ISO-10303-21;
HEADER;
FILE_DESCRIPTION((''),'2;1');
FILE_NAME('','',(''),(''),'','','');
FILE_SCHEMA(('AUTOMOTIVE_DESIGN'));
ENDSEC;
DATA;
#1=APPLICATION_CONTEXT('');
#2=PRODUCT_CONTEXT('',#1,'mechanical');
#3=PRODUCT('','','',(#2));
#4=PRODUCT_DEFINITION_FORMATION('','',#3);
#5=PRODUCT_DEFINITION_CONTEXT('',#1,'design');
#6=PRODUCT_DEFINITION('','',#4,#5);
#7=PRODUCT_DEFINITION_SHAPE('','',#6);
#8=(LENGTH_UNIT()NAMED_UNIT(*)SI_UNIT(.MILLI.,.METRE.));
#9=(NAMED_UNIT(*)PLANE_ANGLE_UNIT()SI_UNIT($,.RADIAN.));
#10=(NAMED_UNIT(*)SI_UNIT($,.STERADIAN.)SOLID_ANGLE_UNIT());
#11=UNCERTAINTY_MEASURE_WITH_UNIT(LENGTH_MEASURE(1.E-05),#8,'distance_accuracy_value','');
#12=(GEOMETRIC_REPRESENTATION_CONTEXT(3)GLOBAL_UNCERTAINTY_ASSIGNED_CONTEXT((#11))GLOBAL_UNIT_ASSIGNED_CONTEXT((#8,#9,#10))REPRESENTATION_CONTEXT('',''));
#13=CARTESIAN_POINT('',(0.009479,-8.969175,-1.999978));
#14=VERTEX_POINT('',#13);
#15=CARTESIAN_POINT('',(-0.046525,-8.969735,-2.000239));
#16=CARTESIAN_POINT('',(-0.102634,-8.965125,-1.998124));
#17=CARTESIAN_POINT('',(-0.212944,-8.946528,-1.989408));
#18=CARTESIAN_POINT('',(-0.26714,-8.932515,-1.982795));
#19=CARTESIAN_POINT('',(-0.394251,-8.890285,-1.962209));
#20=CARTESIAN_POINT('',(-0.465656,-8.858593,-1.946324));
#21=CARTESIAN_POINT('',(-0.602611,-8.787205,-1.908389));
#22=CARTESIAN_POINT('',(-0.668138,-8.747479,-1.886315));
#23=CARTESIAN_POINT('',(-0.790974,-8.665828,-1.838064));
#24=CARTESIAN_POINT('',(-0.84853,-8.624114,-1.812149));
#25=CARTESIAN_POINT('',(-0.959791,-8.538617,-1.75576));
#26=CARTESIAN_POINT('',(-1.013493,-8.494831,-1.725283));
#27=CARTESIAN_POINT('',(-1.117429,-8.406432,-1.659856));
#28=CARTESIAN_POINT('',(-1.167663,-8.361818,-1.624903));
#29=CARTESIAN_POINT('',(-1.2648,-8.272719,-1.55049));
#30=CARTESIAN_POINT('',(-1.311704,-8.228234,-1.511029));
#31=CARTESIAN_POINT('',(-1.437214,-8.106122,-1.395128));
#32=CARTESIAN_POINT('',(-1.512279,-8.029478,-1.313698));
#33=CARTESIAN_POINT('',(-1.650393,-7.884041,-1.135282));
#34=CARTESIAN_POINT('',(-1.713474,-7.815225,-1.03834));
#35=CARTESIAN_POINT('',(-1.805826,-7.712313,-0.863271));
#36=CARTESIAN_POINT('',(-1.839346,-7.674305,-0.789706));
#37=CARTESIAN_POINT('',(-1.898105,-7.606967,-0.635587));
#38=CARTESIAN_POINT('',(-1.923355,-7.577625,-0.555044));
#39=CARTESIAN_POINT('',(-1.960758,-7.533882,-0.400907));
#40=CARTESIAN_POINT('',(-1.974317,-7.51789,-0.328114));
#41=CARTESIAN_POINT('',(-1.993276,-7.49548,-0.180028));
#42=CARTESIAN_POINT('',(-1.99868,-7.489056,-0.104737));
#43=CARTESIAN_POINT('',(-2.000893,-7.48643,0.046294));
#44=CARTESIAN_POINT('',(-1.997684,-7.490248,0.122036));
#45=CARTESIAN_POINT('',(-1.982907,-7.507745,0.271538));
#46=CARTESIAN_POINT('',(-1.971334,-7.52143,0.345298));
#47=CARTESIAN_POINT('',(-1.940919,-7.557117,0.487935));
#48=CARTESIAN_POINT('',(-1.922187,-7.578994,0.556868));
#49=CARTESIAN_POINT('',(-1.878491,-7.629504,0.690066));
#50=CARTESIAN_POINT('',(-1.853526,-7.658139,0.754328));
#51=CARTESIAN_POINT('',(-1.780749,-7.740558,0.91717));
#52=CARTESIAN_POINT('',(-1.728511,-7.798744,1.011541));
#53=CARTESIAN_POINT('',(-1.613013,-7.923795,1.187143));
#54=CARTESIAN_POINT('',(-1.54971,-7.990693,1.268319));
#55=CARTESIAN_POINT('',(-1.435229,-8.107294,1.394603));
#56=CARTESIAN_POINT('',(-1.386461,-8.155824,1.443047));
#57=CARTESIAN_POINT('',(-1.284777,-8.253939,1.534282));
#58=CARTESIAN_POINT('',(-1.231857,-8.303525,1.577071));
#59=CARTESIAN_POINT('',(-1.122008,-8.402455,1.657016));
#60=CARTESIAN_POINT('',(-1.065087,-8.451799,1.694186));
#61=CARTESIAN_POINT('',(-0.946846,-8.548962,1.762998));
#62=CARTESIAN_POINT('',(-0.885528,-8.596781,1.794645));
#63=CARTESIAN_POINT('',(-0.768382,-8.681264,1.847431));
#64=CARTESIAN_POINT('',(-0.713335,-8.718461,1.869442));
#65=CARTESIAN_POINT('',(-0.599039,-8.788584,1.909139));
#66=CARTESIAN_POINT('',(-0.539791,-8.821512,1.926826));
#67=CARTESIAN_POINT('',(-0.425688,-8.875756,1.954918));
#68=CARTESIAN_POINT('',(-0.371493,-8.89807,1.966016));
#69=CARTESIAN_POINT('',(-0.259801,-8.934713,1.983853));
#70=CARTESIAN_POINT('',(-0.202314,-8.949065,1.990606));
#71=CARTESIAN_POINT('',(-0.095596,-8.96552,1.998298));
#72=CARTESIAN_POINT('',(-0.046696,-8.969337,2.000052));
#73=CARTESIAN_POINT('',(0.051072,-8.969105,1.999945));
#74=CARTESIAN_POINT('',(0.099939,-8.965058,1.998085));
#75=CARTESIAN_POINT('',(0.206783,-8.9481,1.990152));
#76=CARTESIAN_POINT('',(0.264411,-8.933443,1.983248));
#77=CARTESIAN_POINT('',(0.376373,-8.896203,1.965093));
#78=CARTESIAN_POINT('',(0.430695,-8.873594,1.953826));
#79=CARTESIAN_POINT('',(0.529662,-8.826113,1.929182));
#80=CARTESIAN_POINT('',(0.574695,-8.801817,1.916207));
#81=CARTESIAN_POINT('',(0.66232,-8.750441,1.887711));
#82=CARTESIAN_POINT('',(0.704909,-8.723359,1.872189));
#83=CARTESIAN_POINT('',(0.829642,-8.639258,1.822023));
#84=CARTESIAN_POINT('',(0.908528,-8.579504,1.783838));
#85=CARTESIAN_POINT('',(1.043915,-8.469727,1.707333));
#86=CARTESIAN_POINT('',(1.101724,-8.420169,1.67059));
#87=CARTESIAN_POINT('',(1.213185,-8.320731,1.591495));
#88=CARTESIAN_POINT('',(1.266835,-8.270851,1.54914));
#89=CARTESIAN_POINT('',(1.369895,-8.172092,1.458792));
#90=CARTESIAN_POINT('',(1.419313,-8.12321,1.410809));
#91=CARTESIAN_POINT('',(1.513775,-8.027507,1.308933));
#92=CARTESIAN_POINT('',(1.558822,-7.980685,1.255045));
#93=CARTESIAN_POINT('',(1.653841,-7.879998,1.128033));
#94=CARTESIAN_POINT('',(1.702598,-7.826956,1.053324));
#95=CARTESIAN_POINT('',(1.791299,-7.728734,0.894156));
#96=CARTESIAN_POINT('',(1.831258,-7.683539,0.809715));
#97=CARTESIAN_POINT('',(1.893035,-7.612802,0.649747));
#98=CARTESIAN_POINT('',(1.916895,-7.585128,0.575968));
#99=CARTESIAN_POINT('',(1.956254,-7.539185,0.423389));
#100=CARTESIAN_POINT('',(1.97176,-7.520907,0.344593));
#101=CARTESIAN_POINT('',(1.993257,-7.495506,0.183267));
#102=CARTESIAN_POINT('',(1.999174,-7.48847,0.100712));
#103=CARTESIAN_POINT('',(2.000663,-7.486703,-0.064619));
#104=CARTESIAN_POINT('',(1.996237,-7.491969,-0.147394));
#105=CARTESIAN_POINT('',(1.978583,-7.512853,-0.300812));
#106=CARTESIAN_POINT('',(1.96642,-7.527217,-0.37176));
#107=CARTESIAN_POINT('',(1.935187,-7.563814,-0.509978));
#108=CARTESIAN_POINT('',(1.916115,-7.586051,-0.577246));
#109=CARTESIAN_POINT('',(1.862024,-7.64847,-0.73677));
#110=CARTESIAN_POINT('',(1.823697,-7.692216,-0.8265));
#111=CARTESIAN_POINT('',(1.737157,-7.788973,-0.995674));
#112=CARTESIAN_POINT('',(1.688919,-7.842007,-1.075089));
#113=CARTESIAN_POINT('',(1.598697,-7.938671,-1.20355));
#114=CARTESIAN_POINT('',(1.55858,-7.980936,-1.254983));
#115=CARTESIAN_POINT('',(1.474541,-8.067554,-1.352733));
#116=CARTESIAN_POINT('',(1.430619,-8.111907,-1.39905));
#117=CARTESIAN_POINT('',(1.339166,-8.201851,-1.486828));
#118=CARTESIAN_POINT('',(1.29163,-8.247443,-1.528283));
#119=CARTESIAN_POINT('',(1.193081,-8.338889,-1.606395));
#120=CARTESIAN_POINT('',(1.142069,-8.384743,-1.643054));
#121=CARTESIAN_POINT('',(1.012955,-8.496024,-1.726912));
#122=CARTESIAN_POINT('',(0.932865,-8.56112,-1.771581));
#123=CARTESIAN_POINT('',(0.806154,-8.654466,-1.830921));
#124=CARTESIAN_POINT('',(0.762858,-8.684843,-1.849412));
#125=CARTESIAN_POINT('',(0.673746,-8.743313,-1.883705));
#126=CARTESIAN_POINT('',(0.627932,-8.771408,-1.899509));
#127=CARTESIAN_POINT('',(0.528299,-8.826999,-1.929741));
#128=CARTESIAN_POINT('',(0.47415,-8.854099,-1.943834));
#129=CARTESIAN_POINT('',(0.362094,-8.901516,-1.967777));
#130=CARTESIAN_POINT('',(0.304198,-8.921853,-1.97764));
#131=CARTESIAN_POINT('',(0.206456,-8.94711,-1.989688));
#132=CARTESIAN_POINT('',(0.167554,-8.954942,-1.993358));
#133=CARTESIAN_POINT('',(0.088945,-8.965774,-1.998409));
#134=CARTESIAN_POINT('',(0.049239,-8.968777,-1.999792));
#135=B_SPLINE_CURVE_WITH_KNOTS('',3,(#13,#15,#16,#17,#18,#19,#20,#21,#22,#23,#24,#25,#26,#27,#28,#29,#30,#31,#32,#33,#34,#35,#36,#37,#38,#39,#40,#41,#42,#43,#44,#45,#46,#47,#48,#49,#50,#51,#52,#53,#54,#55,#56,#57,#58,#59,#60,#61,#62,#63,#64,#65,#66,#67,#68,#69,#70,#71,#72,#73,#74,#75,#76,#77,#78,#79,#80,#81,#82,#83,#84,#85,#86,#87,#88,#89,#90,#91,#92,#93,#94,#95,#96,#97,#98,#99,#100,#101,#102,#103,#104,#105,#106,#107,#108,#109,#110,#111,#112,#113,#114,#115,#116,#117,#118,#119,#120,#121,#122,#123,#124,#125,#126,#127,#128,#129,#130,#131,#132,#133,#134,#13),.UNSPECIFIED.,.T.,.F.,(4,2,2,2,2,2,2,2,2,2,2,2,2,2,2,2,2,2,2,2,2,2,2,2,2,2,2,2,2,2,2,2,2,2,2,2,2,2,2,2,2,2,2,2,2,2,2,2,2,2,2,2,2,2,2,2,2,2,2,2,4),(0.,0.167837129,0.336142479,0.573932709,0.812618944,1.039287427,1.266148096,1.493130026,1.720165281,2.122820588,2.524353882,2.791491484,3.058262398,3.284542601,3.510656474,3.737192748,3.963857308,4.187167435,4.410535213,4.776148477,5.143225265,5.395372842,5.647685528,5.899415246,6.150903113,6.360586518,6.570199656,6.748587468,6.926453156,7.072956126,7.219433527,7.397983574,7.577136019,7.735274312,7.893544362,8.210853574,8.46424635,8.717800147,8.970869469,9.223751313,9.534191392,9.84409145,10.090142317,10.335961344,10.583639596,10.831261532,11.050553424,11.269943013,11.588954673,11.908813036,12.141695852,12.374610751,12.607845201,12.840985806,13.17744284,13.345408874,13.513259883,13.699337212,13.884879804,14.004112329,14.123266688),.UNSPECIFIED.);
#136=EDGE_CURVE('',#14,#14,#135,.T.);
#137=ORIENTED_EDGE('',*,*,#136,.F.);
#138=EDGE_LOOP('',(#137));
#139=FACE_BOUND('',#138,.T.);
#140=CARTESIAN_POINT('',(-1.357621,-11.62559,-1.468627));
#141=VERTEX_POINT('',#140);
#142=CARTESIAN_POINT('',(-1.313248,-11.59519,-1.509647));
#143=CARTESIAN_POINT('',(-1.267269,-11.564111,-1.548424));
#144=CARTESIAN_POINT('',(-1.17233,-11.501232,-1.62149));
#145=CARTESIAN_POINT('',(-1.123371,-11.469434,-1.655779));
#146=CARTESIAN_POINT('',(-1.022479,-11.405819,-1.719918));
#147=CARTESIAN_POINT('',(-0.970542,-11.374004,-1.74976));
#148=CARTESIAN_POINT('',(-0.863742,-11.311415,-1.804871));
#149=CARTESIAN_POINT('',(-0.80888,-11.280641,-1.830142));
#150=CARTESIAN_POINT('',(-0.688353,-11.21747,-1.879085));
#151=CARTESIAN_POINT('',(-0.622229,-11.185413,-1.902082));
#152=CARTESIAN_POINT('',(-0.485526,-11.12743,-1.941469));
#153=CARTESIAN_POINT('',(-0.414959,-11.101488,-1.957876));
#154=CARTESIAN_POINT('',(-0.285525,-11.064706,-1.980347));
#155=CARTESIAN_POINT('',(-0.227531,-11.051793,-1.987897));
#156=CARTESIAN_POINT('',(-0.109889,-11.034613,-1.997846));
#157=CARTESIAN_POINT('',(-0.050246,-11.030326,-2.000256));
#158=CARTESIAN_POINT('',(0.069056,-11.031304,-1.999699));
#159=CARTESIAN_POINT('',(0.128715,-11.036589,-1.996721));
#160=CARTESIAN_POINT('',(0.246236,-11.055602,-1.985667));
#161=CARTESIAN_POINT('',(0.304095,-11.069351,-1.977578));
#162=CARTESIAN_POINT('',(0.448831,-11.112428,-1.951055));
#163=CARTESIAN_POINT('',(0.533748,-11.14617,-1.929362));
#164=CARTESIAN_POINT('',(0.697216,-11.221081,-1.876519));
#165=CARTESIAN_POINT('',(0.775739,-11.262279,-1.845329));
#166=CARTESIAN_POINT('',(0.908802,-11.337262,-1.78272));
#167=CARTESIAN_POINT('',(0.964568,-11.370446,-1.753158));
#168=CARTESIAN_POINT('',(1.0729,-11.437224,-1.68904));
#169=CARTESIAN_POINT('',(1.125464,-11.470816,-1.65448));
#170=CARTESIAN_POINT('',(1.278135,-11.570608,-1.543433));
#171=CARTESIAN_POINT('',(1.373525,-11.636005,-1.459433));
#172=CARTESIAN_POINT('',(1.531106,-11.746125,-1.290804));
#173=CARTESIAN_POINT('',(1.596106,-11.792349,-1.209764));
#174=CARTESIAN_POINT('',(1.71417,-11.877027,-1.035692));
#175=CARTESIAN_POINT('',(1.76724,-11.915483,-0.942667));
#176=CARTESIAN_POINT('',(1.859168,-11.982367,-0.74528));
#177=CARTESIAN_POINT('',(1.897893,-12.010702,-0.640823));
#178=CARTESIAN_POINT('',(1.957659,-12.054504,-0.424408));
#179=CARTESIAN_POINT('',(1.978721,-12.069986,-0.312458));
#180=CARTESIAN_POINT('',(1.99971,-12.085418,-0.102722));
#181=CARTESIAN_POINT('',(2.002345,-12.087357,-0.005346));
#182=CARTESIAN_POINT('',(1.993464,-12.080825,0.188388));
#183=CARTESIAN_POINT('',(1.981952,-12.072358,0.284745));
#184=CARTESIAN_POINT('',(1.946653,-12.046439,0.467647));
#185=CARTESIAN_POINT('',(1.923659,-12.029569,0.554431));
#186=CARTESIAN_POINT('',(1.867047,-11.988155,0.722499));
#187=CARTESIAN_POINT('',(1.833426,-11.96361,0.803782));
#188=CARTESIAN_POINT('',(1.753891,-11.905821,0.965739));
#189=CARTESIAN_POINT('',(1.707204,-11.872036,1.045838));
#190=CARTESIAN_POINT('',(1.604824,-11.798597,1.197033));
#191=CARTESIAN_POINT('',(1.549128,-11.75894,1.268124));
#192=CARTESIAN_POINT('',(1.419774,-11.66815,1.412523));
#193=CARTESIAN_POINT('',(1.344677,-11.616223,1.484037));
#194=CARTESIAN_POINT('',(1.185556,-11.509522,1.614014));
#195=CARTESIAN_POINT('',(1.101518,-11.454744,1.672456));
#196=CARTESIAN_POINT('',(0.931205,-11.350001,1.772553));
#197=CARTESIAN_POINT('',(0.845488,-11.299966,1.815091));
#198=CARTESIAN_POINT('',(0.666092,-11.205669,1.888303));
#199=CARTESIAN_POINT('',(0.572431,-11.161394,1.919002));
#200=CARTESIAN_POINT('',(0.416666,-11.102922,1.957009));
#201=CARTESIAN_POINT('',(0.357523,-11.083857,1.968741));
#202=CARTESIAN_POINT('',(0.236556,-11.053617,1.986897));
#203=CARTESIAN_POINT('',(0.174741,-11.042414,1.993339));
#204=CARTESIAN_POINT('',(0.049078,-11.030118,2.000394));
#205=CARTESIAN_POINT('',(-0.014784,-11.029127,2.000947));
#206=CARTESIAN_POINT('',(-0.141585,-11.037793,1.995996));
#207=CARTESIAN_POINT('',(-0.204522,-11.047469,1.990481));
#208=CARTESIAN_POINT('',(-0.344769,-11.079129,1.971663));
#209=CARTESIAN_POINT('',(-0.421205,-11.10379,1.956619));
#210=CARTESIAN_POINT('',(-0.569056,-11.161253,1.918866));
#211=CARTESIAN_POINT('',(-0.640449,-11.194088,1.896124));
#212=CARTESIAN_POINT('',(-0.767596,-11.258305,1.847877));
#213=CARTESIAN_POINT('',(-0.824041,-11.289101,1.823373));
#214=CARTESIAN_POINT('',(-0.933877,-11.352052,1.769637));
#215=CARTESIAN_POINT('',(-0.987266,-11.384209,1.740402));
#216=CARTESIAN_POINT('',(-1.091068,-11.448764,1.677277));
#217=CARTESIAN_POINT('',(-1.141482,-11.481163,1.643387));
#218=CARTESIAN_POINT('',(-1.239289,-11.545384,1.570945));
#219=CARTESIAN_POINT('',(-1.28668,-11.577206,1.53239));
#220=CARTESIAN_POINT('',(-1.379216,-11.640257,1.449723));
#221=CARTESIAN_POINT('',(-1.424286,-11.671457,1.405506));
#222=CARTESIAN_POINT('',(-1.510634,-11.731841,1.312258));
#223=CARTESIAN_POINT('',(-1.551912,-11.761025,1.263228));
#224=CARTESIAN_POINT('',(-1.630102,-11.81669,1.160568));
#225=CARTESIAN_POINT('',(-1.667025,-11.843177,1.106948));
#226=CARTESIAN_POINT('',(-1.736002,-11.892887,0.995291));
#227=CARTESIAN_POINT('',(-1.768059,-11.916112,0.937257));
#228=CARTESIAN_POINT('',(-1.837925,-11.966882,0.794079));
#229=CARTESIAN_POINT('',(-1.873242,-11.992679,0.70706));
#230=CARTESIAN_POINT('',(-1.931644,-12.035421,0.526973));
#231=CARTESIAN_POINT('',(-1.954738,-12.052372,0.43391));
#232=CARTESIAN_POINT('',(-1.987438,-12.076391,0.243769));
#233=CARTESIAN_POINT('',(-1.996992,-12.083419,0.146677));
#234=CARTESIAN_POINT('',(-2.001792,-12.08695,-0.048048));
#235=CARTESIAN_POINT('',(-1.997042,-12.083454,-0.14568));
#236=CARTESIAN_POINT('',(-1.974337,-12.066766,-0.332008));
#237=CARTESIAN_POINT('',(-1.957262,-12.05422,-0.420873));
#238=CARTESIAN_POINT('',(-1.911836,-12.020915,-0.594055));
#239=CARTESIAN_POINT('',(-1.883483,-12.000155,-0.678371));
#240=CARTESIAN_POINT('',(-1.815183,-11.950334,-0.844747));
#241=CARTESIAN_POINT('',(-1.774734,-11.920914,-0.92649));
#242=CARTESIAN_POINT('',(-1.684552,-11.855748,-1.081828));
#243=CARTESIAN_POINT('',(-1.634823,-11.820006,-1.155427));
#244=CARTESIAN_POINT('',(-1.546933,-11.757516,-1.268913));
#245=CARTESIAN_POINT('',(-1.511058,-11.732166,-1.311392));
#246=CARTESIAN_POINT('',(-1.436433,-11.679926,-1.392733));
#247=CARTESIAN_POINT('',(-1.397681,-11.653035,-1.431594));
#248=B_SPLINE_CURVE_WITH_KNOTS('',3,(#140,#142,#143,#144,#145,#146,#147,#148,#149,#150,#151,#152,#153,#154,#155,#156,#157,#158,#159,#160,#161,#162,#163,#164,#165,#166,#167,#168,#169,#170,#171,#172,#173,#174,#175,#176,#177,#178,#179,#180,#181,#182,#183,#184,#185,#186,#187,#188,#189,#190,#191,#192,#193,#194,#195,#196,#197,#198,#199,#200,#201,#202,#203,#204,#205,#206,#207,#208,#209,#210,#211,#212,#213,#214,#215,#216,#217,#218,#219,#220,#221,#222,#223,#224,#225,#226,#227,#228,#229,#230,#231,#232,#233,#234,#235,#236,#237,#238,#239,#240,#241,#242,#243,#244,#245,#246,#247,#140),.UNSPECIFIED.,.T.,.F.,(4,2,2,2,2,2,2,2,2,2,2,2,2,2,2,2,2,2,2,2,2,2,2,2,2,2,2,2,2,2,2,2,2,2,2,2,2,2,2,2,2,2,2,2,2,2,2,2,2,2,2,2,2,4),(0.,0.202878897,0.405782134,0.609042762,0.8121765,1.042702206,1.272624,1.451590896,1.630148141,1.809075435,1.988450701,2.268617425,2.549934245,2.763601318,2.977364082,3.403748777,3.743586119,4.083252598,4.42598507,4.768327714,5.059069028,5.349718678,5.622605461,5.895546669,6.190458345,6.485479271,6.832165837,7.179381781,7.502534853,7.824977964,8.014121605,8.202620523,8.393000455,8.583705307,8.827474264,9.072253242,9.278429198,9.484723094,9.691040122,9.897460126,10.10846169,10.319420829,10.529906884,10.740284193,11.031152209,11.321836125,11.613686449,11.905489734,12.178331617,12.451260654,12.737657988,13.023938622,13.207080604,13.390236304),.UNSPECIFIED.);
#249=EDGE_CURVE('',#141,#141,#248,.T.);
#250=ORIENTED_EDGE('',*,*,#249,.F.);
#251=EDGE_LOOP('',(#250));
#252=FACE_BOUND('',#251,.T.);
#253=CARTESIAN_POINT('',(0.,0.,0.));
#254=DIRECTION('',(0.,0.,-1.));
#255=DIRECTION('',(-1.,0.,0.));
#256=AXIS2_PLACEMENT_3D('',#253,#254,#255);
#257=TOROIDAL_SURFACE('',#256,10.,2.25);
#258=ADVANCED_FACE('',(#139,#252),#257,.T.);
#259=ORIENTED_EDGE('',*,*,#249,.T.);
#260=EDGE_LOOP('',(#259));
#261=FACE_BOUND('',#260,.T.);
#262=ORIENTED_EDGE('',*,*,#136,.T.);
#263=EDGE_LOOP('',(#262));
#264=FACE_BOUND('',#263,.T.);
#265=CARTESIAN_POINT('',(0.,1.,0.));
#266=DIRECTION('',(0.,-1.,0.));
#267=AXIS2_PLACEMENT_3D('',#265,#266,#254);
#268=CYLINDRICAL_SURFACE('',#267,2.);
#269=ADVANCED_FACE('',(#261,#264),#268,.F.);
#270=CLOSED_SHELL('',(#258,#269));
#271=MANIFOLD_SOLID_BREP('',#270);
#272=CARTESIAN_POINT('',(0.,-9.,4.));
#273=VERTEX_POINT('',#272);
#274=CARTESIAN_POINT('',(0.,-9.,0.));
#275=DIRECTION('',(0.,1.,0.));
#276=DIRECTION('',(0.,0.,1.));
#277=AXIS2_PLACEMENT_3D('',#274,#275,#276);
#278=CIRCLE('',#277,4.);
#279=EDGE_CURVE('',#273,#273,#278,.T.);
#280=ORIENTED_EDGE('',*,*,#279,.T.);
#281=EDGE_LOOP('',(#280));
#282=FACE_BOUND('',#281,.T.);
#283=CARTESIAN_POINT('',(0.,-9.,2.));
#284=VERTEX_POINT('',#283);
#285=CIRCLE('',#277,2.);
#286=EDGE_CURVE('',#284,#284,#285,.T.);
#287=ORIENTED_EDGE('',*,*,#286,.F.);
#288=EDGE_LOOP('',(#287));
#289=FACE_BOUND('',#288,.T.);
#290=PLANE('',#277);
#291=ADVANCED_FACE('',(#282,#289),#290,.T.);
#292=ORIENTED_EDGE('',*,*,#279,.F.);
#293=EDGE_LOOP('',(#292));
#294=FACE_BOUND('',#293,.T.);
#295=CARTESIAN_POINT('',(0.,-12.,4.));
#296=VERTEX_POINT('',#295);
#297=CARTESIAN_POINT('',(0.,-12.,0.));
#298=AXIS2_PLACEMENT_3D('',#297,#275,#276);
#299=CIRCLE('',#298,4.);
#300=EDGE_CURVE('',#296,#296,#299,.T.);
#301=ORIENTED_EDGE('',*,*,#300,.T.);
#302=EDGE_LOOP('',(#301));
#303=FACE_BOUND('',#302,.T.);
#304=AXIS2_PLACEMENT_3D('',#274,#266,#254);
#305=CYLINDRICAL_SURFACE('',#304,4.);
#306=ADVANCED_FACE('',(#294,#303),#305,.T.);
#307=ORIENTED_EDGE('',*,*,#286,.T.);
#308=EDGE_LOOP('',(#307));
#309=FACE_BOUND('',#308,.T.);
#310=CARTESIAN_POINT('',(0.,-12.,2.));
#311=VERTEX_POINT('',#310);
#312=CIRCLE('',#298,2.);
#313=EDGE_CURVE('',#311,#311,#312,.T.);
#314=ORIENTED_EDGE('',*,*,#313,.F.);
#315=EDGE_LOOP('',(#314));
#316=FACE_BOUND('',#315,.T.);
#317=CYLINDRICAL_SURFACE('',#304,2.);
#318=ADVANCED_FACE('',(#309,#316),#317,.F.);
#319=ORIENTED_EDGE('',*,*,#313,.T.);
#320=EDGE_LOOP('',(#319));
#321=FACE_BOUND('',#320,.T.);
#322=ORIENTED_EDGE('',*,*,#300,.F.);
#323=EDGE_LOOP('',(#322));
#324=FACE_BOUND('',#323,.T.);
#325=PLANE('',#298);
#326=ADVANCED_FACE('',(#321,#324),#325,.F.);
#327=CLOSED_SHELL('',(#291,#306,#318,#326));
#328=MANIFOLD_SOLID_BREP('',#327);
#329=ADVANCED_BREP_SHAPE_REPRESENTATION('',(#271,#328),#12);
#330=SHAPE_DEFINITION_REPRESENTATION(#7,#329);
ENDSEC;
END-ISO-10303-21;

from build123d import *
from build123d.topology import SkipClean

# Parameters (mm, degrees)
SKETCH_2_R               = 2.25
SKETCH_3_R               = 4
SKETCH_3_R_2             = 2
EXTRUDE_1_DEPTH          = 3
CUT_EXTRUDE_5_DEPTH      = 13
CUT_EXTRUDE_5_DEPTH_BACK = 3
SKETCH_3_5_R             = 2


with BuildPart() as part:
    # 草图2 → 旋转1 (revolve)
    with BuildSketch(Plane(origin=(0, 0, 0), x_dir=(1, 0, 0), z_dir=(0, 1, 0))):
        with Locations((10, 0)):
            Circle(SKETCH_2_R)
    revolve(axis=Axis((0, 0, -2.2), (0, 0, 1)))

    # 草图3<5> → 切除-拉伸5 (cut, two sides: drawn at the far end of the back side and taken through both)
    with SkipClean():  # the faces are left unmerged after this step: merging them gives an invalid solid
        with BuildSketch(Plane(origin=(0, -12, 0), x_dir=(1, 0, 0), z_dir=(0, 1, 0)).offset(-CUT_EXTRUDE_5_DEPTH_BACK)):
            Circle(SKETCH_3_5_R)
        extrude(amount=CUT_EXTRUDE_5_DEPTH + CUT_EXTRUDE_5_DEPTH_BACK, mode=Mode.SUBTRACT)


with BuildPart() as body_2:
    # 草图3 → 凸台-拉伸1 (new body)
    with BuildSketch(Plane(origin=(0, -12, 0), x_dir=(1, 0, 0), z_dir=(0, 1, 0))):
        Circle(SKETCH_3_R)
        Circle(SKETCH_3_R_2, mode=Mode.SUBTRACT)
    extrude(amount=EXTRUDE_1_DEPTH)


solid = Compound([part.part, body_2.part])
